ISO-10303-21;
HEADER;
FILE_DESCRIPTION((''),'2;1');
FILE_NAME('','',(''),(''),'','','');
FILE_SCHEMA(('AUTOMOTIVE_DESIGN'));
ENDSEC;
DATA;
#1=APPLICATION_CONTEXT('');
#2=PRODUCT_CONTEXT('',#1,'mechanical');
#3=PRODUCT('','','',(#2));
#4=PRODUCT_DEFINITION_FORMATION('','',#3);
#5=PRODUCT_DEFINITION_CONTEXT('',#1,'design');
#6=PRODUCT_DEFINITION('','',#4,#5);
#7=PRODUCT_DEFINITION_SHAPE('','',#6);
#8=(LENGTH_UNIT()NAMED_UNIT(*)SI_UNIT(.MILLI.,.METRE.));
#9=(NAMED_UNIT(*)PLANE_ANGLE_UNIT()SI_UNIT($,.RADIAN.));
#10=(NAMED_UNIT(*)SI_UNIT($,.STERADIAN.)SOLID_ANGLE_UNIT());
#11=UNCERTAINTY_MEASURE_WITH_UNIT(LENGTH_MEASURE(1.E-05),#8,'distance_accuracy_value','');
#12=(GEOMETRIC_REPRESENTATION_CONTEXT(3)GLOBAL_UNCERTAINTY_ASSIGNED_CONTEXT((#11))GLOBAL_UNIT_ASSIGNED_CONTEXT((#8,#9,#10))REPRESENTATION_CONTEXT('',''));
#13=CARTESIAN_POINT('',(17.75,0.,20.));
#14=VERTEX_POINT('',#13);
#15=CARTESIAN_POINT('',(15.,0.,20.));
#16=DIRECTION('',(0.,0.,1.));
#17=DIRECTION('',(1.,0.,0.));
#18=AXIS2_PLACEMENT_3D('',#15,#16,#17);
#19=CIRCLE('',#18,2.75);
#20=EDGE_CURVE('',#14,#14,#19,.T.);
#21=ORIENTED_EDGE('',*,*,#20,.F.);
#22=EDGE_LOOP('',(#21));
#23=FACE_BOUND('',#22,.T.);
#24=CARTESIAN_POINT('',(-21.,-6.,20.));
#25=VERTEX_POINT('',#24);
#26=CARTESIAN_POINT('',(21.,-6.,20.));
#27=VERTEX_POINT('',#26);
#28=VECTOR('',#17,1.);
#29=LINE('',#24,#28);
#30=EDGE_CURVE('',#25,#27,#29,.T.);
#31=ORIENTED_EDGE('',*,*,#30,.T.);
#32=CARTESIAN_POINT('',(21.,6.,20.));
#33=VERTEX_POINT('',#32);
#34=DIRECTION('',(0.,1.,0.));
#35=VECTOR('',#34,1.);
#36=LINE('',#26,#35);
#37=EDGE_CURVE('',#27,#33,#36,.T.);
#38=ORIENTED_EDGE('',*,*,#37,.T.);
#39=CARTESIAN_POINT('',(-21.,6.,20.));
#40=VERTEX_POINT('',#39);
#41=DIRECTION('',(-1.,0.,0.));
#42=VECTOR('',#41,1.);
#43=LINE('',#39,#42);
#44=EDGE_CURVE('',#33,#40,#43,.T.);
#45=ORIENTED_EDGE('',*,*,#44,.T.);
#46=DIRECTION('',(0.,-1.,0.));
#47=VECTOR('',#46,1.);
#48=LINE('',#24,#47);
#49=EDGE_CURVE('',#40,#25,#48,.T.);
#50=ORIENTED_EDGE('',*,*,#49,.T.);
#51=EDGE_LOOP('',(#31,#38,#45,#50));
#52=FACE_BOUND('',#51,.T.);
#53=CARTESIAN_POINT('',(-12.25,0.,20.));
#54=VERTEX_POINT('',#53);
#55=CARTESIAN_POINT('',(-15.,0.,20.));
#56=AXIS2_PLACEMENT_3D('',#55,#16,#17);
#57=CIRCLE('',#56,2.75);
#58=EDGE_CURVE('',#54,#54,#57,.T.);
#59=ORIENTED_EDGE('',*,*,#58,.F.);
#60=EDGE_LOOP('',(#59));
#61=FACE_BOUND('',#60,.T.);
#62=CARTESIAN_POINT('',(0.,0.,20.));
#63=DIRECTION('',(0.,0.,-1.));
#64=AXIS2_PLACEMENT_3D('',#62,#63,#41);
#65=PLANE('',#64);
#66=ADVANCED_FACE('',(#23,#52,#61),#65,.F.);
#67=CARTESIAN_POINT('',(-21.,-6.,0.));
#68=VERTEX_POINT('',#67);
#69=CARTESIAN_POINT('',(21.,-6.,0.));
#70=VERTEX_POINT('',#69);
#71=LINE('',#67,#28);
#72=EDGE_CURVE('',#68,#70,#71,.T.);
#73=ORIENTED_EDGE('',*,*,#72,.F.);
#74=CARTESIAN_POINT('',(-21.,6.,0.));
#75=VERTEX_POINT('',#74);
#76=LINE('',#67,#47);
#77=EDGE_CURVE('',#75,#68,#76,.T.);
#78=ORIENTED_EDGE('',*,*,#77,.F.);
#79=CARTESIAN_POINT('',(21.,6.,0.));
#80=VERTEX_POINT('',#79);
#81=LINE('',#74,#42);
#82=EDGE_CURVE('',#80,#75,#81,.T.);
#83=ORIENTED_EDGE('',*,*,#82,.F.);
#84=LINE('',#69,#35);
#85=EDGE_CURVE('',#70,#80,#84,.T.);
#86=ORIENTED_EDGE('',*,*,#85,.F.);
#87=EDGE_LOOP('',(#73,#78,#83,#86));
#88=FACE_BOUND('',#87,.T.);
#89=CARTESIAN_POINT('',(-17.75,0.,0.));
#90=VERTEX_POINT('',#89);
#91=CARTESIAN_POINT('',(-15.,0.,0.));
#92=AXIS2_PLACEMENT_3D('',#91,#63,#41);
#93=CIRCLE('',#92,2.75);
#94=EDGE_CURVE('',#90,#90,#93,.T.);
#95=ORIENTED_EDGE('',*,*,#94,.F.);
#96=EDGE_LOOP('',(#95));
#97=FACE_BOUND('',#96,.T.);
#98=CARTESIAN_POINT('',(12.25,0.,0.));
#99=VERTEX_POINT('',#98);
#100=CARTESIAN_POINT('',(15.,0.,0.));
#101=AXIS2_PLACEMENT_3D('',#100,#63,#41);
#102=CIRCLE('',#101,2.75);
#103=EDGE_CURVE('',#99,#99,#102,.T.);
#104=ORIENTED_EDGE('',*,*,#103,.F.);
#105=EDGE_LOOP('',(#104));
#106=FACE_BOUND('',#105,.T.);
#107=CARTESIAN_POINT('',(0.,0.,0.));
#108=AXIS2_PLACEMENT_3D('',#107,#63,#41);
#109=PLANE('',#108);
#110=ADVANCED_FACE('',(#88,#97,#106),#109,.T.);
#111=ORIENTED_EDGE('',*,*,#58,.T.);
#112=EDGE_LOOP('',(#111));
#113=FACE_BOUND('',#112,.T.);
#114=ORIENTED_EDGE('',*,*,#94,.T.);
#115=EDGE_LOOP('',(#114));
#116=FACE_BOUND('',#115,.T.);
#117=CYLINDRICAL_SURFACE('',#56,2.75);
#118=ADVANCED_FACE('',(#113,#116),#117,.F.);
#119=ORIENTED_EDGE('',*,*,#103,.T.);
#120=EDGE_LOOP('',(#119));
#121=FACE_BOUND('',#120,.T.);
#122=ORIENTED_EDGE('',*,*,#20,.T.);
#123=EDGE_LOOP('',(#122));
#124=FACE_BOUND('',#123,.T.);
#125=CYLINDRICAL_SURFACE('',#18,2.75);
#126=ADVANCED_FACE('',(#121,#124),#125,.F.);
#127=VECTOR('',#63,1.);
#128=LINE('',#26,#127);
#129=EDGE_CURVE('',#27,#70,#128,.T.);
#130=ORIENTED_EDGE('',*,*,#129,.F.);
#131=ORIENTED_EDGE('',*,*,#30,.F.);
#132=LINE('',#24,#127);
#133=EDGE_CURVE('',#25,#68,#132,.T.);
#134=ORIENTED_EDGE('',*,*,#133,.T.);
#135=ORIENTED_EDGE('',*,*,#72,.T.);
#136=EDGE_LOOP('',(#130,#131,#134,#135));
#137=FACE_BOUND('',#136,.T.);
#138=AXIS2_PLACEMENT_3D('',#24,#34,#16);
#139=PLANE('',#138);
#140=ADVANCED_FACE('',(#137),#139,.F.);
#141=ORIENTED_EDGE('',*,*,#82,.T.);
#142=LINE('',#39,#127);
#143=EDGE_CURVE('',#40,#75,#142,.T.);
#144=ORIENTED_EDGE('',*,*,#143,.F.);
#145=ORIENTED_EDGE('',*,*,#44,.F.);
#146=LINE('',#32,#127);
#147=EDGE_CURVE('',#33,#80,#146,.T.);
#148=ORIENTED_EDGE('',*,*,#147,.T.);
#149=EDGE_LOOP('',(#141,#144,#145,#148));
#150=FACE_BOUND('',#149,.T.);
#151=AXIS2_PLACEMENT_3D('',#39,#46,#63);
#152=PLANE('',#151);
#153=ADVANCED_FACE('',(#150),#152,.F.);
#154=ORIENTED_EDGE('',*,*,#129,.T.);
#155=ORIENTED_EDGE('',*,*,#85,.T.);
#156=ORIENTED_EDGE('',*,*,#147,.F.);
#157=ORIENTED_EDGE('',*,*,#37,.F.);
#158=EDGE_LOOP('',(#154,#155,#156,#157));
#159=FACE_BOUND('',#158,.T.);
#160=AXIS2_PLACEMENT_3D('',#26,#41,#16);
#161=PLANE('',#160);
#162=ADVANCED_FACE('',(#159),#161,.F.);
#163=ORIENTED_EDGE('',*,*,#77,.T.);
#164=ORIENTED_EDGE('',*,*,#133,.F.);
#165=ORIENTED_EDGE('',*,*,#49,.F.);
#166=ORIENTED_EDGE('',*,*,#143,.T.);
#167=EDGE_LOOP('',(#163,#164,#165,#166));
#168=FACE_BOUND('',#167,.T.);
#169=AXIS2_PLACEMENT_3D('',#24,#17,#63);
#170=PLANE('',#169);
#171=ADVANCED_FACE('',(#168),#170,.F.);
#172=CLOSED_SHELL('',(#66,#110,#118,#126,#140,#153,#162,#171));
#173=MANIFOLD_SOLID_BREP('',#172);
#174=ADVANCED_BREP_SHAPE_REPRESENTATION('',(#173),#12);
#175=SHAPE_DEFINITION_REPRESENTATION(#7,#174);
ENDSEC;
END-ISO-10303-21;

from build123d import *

# Parameters (mm, degrees)
SKETCH_1_W                  = 42
SKETCH_1_H                  = 12
EXTRUDE_1_DEPTH             = 20
HOLE_WIZARD_5_5_5_5_1_D     = 5.5
HOLE_WIZARD_5_5_5_5_1_DEPTH = 20


with BuildPart() as part:
    # 草图1 → 凸台-拉伸1 (new body)
    with BuildSketch(Plane.XY):
        Rectangle(SKETCH_1_W, SKETCH_1_H)
    extrude(amount=EXTRUDE_1_DEPTH)

    # Ø5.5 (5.5) 直径孔1
    with Locations(Plane.XY.offset(20)):
        with Locations((-15, 0), (15, 0)):
            Hole(HOLE_WIZARD_5_5_5_5_1_D / 2, depth=HOLE_WIZARD_5_5_5_5_1_DEPTH)


solid = part.part
